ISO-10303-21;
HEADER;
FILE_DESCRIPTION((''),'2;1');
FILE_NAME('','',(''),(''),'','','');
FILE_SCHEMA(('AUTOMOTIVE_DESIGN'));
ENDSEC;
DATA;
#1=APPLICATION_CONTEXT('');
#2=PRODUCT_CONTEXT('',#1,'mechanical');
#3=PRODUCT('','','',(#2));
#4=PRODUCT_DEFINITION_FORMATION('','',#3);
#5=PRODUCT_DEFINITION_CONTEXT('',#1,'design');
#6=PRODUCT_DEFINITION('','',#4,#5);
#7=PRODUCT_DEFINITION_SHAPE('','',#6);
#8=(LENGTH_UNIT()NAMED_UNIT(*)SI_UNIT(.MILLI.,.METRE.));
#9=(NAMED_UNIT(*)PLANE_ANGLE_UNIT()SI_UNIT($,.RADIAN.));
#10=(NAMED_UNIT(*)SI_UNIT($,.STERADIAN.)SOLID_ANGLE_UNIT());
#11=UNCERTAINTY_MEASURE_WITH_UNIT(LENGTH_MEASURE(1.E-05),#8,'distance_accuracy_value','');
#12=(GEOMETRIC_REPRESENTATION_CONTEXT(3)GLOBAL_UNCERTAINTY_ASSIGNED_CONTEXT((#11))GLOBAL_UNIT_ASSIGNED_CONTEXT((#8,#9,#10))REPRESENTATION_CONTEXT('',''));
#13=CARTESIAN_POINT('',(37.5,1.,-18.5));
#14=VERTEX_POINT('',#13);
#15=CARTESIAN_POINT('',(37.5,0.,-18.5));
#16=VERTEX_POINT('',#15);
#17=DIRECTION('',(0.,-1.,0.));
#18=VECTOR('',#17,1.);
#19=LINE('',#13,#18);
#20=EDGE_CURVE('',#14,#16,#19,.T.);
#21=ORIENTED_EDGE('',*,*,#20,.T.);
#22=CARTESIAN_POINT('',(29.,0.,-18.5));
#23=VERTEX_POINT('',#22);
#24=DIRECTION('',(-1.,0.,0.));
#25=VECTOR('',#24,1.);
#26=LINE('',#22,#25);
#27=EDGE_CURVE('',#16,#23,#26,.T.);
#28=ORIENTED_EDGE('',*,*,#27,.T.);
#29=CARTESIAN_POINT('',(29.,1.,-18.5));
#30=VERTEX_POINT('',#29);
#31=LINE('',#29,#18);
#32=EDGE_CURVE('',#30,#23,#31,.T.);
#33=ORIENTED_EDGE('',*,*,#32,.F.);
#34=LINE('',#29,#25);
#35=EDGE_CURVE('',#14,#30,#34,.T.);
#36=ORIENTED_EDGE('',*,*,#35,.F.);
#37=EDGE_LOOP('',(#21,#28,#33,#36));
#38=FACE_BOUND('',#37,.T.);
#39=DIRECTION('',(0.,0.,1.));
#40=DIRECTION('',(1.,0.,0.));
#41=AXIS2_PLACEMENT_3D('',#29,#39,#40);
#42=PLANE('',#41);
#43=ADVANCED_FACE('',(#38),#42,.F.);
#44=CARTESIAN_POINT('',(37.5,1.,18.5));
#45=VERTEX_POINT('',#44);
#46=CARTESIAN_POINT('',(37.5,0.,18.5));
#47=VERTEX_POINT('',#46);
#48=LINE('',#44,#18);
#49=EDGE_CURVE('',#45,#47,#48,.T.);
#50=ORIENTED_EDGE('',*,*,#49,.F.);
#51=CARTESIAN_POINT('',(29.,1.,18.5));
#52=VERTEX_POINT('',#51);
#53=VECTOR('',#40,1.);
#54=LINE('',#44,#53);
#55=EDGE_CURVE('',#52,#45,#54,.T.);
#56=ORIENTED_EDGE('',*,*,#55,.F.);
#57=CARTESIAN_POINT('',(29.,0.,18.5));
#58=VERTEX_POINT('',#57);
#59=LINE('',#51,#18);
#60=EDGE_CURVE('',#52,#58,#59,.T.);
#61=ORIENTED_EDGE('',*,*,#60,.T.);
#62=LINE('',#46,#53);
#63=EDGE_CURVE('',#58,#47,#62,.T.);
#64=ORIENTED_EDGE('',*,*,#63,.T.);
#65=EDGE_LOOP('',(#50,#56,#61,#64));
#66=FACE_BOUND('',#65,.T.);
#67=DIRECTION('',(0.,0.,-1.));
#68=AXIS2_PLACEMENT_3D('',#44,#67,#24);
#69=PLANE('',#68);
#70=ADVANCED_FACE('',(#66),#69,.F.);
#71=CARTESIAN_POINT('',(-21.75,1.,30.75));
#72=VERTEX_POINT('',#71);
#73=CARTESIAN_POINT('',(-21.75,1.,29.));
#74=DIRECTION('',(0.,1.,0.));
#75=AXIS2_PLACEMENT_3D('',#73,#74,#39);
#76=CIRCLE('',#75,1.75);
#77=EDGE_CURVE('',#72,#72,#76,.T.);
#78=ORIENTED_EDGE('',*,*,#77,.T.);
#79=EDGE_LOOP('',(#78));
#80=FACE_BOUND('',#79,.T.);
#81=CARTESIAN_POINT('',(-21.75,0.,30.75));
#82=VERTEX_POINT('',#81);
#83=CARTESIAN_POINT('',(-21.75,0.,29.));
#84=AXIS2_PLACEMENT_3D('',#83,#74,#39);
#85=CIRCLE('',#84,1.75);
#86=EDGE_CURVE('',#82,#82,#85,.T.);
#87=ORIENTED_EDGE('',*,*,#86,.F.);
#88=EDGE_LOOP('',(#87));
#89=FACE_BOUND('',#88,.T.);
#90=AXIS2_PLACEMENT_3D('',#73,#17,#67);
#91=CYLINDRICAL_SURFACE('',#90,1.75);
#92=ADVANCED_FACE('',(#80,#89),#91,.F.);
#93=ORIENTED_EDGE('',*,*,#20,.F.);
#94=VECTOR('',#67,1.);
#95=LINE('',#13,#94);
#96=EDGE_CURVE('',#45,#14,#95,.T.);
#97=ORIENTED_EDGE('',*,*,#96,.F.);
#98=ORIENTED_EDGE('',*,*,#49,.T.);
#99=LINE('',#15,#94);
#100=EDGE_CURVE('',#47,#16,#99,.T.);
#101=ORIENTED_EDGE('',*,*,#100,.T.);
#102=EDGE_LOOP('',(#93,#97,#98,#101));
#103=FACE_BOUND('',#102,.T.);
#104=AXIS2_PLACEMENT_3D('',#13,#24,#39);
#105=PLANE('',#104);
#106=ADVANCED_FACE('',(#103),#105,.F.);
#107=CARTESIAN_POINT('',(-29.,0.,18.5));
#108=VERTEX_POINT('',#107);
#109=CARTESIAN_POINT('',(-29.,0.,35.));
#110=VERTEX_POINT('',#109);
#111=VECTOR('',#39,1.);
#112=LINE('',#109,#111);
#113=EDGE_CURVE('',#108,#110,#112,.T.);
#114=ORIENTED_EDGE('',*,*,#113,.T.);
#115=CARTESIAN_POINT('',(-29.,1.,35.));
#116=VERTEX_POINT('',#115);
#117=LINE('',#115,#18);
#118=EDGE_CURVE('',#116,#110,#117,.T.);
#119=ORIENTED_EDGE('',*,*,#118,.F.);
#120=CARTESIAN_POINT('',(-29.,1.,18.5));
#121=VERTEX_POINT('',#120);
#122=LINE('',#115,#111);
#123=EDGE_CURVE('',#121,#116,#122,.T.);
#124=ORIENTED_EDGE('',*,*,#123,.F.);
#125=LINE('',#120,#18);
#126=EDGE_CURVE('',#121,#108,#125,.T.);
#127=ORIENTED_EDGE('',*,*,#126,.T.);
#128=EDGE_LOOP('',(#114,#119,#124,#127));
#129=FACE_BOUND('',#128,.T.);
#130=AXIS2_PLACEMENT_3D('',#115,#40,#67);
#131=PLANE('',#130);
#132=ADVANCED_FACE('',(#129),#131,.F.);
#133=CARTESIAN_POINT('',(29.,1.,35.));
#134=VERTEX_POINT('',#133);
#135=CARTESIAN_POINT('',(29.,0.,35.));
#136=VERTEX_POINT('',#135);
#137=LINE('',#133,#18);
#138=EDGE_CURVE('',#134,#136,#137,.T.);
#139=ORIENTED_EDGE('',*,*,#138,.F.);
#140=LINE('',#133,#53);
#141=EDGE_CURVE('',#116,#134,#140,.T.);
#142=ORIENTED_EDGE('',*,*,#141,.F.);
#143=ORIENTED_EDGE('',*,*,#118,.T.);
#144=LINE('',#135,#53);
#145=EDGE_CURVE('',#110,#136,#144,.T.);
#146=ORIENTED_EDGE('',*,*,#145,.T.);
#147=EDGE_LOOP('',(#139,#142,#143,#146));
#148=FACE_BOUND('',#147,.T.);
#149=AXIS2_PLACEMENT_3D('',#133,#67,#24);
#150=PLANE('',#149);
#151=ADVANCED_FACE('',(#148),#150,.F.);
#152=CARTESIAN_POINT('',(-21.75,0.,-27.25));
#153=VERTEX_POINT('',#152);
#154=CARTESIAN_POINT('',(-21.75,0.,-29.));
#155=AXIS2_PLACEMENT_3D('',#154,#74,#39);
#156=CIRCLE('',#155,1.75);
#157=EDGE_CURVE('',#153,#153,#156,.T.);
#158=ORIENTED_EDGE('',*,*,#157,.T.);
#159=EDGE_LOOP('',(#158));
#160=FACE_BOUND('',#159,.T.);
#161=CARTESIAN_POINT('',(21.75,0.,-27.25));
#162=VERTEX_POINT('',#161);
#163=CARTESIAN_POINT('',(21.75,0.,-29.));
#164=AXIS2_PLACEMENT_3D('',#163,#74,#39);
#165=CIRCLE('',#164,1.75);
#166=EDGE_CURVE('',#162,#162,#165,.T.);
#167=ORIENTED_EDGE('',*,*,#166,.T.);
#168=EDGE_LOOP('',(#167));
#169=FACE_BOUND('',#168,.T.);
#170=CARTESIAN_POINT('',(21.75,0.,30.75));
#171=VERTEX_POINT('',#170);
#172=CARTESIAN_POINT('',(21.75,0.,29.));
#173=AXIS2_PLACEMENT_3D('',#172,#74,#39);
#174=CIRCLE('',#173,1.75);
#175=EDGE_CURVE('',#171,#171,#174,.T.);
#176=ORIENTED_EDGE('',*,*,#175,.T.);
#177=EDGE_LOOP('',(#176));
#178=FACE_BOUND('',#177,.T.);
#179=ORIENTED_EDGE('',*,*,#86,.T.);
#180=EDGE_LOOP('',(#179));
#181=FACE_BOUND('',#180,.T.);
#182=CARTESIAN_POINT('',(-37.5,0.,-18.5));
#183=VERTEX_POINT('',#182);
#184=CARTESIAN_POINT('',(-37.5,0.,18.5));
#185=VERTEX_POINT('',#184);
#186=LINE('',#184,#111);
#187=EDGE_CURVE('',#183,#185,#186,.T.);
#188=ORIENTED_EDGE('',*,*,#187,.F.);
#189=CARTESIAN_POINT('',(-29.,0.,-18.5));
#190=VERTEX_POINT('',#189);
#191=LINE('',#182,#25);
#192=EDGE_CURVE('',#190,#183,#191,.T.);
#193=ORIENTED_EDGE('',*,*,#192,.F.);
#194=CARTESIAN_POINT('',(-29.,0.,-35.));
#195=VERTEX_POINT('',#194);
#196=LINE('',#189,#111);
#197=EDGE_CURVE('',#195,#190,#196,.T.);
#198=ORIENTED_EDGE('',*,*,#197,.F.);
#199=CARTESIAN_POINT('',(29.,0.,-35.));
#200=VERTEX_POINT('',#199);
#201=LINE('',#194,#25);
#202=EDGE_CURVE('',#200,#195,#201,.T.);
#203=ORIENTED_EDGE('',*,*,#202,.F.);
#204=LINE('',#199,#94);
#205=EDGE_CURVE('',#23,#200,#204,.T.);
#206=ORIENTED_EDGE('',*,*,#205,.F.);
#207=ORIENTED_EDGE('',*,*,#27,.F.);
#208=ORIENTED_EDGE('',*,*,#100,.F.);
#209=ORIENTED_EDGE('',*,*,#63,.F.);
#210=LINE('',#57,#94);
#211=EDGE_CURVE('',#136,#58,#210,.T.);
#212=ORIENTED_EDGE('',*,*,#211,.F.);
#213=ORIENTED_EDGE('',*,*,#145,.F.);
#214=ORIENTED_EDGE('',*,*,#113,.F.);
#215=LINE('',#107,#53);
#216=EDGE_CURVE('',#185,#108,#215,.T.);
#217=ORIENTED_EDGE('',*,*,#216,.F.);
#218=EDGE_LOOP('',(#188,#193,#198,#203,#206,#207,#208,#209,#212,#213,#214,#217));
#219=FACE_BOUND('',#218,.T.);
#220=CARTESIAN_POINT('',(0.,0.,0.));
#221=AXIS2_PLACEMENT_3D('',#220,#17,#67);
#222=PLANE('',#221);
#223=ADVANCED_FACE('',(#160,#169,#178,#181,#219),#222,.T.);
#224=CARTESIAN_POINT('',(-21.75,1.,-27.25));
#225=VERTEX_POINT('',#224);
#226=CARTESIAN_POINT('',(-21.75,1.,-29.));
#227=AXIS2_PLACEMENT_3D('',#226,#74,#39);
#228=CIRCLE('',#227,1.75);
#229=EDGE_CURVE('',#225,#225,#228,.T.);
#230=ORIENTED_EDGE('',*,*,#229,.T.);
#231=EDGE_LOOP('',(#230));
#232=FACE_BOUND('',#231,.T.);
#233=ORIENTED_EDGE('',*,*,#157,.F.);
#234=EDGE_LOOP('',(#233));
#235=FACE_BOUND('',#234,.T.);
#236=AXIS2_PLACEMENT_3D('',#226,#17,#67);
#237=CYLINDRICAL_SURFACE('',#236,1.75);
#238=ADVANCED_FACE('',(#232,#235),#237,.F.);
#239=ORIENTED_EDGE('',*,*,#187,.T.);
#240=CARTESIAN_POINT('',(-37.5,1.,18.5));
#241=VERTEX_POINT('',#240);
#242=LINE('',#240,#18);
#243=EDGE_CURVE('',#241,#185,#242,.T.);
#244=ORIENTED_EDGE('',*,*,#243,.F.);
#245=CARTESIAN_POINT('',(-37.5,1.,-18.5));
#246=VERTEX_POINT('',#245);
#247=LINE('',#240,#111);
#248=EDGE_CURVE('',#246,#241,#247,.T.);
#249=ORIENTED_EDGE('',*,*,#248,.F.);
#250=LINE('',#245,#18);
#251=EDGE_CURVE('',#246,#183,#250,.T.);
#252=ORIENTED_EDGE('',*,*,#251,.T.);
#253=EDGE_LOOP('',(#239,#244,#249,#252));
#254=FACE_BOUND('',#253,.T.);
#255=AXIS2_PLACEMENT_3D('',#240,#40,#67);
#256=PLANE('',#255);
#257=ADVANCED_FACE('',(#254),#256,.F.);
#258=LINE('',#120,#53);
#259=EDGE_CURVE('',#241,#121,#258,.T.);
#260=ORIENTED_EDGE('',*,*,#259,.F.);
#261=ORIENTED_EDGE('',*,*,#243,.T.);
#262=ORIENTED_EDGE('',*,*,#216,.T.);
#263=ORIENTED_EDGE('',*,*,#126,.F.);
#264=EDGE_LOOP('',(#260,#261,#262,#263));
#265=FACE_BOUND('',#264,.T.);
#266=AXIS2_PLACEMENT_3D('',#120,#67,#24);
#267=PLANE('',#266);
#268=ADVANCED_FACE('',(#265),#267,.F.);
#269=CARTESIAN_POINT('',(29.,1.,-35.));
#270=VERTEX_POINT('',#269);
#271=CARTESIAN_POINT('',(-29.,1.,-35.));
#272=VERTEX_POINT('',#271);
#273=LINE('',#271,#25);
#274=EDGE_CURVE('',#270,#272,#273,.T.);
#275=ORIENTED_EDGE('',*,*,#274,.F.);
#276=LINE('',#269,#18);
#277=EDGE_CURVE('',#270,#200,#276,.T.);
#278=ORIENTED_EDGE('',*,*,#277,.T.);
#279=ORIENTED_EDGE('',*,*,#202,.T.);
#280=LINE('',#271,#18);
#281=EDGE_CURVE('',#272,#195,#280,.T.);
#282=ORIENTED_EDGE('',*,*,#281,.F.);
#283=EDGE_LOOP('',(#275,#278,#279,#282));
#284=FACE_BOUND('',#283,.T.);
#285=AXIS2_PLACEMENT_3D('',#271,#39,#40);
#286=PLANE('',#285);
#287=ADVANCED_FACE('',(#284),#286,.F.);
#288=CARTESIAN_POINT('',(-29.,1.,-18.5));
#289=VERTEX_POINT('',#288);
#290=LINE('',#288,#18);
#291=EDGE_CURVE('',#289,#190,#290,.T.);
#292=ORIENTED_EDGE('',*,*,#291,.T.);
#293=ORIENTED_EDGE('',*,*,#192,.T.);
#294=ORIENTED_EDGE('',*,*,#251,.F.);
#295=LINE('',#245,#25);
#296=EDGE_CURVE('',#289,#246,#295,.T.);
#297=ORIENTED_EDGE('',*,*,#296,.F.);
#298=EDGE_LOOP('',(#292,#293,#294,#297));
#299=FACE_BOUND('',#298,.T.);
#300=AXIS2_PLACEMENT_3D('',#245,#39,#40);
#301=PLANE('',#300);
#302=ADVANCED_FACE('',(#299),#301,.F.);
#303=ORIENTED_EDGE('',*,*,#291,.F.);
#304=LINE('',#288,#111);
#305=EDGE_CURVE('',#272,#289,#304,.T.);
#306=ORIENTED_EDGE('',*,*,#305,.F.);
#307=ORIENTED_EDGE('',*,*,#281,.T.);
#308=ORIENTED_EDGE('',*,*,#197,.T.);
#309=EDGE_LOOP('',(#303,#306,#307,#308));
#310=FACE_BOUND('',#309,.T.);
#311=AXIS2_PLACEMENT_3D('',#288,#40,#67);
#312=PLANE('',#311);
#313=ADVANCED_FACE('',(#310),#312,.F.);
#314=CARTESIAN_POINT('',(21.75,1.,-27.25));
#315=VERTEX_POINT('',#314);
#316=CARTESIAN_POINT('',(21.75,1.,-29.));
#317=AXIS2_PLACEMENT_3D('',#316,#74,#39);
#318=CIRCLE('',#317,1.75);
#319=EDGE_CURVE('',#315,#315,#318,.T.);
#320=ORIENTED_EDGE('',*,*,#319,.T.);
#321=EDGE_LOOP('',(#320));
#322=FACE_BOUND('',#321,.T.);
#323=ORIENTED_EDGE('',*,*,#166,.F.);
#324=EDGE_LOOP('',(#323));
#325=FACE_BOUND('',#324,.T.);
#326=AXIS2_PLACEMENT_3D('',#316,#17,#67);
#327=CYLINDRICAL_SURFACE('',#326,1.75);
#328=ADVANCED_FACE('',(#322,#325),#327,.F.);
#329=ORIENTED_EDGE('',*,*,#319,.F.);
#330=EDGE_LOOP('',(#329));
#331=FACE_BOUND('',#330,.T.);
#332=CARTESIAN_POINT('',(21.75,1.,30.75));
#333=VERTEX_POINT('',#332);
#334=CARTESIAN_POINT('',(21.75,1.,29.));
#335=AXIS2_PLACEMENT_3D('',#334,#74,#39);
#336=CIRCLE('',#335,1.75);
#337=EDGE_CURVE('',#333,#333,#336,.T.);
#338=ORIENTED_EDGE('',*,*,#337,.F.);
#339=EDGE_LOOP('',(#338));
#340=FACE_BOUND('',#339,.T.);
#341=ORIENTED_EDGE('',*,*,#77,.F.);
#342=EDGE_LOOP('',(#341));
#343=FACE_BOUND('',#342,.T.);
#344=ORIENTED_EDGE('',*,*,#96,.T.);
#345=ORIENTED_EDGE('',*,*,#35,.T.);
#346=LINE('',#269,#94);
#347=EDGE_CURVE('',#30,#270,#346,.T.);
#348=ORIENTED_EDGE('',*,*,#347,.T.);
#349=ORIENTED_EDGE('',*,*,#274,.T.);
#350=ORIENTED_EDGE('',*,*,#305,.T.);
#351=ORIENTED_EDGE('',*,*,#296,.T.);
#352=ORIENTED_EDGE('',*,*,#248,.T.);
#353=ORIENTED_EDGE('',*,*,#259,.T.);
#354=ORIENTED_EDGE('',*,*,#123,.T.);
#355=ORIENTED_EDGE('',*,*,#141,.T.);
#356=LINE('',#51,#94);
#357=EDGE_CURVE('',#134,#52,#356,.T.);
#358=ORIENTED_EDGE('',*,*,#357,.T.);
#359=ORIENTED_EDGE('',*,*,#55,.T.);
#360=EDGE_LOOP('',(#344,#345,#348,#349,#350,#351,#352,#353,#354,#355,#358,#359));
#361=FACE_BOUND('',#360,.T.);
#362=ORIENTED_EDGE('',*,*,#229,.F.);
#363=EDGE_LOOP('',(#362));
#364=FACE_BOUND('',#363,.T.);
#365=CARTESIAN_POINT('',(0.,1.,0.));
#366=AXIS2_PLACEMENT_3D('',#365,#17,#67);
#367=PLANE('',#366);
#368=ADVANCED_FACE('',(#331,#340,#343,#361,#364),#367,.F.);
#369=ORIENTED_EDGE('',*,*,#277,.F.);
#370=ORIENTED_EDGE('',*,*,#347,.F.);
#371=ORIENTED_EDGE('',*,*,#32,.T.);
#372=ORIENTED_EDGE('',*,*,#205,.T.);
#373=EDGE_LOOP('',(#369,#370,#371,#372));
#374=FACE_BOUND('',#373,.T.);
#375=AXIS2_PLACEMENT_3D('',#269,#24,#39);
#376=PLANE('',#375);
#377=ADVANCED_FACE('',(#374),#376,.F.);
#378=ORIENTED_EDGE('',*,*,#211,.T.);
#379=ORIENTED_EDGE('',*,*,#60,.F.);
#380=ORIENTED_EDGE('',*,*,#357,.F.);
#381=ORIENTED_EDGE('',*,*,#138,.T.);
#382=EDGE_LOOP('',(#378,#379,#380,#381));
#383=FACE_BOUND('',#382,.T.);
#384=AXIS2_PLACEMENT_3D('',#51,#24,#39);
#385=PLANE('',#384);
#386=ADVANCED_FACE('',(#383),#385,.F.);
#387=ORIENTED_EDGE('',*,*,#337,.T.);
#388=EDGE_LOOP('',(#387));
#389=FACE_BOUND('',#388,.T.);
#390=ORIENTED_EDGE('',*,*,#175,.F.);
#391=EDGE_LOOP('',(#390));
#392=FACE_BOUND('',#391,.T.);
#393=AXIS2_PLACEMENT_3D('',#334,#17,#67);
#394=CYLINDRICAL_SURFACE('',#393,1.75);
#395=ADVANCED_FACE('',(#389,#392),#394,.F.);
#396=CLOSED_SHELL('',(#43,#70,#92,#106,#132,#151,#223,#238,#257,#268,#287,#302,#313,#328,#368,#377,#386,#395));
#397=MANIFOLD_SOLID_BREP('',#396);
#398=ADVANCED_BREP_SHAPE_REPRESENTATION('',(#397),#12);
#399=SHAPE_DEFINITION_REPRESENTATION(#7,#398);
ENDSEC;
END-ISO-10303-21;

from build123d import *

# Parameters (mm, degrees)
EXTRUDE_1_DEPTH     = 1
SKETCH_2_R          = 1.75
CUT_EXTRUDE_1_DEPTH = 1


with BuildPart() as part:
    # Эскиз1 → Бобышка-Вытянуть1 (new body)
    with BuildSketch(Plane(origin=(0, 0, 0), x_dir=(1, 0, 0), z_dir=(0, 1, 0))):
        Polygon((-37.5, 18.5), (-29, 18.5), (-29, 35), (29, 35), (29, 18.5), (37.5, 18.5), (37.5, -18.5), (29, -18.5), (29, -35), (-29, -35), (-29, -18.5), (-37.5, -18.5), align=None)
    extrude(amount=EXTRUDE_1_DEPTH)

    # Эскиз2 → Вырез-Вытянуть1 (cut)
    with BuildSketch(Plane(origin=(0, 0, 0), x_dir=(1, 0, 0), z_dir=(0, 1, 0))):
        with Locations(Location((-21.75, 29, 0), (0, 0, 270))):
            Circle(SKETCH_2_R)
        with Locations(Location((21.75, 29, 0), (0, 0, 270))):
            Circle(SKETCH_2_R)
        with Locations(Location((21.75, -29, 0), (0, 0, 270))):
            Circle(SKETCH_2_R)
        with Locations(Location((-21.75, -29, 0), (0, 0, 270))):
            Circle(SKETCH_2_R)
    extrude(amount=CUT_EXTRUDE_1_DEPTH, mode=Mode.SUBTRACT)


solid = part.part
